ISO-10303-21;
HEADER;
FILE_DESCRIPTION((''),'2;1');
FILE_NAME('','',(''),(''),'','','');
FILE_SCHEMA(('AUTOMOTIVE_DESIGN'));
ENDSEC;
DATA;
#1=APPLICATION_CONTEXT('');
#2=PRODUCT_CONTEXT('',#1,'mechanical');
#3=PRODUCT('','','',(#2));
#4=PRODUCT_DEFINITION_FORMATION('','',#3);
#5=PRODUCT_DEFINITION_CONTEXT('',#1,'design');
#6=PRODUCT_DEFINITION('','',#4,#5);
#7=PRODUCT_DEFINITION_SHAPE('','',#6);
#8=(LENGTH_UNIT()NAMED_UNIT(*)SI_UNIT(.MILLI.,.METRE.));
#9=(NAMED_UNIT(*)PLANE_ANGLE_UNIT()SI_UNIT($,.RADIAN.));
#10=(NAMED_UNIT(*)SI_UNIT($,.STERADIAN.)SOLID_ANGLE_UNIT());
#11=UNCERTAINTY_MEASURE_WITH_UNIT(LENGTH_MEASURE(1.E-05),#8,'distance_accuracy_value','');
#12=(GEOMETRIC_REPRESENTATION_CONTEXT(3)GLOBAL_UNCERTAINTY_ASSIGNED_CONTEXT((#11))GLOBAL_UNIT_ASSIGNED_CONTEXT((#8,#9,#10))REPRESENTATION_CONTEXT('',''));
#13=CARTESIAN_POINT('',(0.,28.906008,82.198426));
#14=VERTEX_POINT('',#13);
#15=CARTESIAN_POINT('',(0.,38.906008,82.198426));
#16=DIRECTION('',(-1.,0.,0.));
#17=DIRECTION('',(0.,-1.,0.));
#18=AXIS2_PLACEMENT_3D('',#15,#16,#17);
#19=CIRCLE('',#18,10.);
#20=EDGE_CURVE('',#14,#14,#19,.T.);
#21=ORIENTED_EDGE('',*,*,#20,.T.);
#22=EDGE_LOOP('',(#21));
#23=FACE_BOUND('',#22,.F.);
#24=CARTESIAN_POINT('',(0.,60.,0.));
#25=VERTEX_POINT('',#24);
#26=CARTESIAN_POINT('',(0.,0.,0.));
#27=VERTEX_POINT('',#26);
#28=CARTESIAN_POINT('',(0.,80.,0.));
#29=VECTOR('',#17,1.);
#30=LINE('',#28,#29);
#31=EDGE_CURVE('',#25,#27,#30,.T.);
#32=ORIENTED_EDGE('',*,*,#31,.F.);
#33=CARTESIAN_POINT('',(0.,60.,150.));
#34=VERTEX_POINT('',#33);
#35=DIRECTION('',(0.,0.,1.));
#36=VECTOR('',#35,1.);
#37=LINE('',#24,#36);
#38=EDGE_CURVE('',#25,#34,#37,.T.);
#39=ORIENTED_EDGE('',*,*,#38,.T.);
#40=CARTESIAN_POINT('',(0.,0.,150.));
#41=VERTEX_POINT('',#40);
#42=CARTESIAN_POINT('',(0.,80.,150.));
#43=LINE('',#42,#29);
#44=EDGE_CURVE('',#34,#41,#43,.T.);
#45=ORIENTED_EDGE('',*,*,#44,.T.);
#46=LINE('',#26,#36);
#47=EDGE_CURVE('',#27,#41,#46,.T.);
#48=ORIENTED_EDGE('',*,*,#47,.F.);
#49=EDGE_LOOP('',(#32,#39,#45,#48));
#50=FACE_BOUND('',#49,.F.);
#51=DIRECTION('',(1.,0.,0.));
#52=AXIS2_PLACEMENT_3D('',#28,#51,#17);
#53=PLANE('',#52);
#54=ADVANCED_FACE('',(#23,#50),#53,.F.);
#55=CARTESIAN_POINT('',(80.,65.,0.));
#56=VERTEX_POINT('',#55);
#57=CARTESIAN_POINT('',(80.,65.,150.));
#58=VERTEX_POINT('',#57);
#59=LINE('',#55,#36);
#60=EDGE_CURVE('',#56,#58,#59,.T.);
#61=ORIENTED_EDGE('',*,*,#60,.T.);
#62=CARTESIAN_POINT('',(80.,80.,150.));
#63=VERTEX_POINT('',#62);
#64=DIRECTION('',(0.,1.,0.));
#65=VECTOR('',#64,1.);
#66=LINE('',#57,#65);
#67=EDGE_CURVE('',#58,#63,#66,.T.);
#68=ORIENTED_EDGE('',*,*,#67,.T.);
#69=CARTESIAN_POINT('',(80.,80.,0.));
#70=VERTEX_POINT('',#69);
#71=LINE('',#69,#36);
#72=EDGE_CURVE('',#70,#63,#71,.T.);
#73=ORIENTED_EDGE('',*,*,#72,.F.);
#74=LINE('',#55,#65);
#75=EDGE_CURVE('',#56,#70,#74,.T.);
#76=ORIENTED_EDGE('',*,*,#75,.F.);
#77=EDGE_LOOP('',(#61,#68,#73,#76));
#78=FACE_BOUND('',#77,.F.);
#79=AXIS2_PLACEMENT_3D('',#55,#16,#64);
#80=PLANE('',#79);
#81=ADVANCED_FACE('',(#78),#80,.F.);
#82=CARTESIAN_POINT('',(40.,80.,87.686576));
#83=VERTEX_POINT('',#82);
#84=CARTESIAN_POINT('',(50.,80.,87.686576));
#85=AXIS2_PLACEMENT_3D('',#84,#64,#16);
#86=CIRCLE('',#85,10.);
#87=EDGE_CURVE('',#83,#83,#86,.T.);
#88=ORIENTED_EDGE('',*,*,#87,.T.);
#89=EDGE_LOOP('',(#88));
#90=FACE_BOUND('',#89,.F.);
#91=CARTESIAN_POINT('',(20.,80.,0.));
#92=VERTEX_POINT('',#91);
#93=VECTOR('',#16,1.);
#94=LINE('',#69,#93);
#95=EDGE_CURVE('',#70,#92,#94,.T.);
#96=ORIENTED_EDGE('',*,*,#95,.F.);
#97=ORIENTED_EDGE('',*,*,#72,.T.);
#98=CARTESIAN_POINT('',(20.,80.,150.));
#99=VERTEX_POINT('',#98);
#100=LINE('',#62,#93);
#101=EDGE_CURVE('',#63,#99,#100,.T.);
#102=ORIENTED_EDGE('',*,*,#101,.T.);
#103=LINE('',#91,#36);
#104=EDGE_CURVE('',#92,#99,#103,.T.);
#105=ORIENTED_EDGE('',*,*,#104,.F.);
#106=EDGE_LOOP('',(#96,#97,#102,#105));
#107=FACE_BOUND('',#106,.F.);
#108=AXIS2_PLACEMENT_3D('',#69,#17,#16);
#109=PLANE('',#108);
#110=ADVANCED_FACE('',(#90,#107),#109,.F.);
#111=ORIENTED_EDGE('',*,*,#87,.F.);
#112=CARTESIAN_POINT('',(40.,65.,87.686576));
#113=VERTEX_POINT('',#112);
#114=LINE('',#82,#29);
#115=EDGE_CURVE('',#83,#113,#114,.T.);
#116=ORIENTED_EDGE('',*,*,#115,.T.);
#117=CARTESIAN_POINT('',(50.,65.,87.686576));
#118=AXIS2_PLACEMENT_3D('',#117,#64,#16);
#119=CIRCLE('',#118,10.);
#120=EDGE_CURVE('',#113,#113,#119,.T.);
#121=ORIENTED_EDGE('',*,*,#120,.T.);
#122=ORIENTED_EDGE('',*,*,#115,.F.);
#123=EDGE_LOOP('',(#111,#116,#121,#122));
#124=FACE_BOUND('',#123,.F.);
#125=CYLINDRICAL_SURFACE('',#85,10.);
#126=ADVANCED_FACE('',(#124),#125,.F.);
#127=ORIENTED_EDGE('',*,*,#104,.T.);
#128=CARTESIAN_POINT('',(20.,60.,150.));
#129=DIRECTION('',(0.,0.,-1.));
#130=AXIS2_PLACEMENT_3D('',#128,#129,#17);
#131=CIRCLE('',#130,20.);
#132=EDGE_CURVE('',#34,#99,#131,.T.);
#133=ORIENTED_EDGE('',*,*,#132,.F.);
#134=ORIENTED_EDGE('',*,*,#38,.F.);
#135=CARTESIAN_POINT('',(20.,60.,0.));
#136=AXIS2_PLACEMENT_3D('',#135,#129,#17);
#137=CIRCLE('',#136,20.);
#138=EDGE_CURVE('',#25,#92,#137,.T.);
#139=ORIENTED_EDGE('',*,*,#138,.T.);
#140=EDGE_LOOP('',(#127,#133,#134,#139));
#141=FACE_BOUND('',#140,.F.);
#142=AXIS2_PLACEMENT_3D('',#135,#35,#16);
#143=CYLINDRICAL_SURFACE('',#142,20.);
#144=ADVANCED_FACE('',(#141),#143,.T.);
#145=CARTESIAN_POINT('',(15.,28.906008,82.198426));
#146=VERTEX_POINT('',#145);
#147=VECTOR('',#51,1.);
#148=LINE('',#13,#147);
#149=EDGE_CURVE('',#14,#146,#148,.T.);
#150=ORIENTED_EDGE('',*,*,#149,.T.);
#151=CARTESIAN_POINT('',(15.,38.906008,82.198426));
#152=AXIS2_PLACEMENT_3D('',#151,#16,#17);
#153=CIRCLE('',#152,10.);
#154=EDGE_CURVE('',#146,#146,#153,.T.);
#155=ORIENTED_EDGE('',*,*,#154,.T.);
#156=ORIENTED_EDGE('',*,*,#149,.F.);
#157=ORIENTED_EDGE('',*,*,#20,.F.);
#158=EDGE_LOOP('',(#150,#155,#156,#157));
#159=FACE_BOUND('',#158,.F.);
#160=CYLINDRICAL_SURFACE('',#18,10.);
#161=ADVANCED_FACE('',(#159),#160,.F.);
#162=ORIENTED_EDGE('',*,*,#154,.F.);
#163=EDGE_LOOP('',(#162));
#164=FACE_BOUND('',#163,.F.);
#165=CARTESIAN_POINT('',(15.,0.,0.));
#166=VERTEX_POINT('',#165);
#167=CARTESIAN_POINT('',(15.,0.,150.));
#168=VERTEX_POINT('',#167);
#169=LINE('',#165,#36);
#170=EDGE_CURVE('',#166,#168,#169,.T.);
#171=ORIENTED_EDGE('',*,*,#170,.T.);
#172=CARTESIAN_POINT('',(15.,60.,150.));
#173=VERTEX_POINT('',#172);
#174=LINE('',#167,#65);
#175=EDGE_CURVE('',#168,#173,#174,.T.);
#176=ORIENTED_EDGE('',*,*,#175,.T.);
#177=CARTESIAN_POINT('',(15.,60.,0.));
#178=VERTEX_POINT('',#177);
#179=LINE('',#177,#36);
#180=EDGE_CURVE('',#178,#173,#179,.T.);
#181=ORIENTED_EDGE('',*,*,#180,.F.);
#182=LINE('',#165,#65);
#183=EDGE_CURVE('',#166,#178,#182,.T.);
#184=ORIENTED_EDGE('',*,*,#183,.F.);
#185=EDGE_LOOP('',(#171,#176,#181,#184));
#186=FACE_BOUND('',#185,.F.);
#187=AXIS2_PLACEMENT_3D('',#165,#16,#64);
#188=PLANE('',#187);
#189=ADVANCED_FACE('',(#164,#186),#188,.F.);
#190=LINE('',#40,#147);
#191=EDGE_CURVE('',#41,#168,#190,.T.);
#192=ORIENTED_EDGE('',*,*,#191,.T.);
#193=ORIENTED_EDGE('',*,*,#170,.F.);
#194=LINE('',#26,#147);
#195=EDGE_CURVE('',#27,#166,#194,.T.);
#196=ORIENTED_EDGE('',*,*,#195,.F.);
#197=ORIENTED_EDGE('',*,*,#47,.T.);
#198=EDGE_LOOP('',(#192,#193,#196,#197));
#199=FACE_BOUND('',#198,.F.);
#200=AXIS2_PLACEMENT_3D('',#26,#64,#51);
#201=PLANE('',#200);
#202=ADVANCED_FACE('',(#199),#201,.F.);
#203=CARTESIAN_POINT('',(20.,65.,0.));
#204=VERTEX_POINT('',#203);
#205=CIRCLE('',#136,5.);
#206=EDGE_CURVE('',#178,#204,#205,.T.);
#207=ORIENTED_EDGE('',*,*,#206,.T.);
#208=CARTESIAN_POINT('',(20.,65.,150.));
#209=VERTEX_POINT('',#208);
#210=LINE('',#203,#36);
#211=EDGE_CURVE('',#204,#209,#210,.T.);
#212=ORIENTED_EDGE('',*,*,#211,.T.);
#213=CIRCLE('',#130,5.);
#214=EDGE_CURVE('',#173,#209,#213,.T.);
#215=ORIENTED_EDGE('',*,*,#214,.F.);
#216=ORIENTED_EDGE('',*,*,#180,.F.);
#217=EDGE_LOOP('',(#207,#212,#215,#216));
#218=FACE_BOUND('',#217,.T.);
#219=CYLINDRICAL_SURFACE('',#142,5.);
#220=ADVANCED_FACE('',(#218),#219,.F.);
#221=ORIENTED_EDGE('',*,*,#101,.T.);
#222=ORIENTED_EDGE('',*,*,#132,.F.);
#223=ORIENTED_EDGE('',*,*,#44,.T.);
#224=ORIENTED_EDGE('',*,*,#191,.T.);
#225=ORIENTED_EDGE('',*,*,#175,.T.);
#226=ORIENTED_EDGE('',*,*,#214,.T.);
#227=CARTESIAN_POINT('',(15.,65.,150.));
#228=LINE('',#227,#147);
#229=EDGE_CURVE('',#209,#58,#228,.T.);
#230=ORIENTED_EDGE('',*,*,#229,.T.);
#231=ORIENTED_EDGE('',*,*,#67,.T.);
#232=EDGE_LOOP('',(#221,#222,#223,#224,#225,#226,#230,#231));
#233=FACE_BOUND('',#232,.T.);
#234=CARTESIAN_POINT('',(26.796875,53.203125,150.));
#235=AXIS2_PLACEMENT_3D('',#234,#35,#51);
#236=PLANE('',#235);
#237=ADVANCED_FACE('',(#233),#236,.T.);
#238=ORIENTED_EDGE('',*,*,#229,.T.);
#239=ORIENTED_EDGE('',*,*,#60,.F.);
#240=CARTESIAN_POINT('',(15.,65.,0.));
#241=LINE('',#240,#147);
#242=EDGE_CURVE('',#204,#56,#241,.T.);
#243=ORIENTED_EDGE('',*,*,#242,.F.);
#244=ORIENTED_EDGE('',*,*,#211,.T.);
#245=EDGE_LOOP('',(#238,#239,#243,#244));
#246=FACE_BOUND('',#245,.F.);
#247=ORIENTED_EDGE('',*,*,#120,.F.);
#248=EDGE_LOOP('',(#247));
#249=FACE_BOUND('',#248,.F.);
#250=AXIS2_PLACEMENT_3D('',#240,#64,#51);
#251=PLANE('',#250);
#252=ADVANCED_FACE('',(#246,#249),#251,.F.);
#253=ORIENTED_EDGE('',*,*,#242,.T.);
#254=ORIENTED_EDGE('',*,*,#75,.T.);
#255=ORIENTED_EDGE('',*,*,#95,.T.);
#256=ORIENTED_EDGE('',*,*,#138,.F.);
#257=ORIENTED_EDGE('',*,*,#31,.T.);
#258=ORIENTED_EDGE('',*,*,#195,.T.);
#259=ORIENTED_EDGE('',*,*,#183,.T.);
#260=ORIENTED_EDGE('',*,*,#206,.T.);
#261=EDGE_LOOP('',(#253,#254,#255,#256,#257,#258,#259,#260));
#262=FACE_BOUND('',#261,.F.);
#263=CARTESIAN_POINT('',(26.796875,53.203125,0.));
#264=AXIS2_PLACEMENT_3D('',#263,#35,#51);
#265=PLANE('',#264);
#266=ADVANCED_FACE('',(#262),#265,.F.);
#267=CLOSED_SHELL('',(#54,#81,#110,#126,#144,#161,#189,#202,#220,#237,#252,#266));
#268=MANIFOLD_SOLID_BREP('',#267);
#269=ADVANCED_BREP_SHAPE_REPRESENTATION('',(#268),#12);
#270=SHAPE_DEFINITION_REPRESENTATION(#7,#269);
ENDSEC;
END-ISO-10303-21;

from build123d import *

# Parameters (mm, degrees)
F1_DEPTH = 150
F2_R     = 20
F3_R     = 5
F4_R     = 10
F5_DEPTH = 80.001
F6_R     = 10
F7_DEPTH = 80.001


with BuildPart() as f1:
    # F0 (on Top) → F1 (new body)
    with BuildSketch(Plane.XY):
        Polygon((0, 80), (0, 0), (15, 0), (15, 65), (80, 65), (80, 80), align=None)
    extrude(amount=F1_DEPTH)

    # F2
    f2_edges = [f1.edges().sort_by_distance(p)[0] for p in [
        (0, 80, 75),
    ]]
    fillet(f2_edges, radius=F2_R)

    # F3
    f3_edges = [f1.edges().sort_by_distance(p)[0] for p in [
        (15, 65, 75),
    ]]
    fillet(f3_edges, radius=F3_R)

    # F4 (on face) → F5 (cut, through all)
    with BuildSketch(Plane(origin=(0, 0, 0), x_dir=(0, -1, 0), z_dir=(-1, 0, 0))):
        with Locations((-38.906008, 82.198426)):
            Circle(F4_R)
    extrude(amount=-F5_DEPTH, mode=Mode.SUBTRACT)

    # F6 (on face) → F7 (cut, through all)
    with BuildSketch(Plane(origin=(0, 80, 0), x_dir=(-1, 0, 0), z_dir=(0, 1, 0))):
        with Locations((-50, 87.686576)):
            Circle(F6_R)
    extrude(amount=-F7_DEPTH, mode=Mode.SUBTRACT)


solid = f1.part
